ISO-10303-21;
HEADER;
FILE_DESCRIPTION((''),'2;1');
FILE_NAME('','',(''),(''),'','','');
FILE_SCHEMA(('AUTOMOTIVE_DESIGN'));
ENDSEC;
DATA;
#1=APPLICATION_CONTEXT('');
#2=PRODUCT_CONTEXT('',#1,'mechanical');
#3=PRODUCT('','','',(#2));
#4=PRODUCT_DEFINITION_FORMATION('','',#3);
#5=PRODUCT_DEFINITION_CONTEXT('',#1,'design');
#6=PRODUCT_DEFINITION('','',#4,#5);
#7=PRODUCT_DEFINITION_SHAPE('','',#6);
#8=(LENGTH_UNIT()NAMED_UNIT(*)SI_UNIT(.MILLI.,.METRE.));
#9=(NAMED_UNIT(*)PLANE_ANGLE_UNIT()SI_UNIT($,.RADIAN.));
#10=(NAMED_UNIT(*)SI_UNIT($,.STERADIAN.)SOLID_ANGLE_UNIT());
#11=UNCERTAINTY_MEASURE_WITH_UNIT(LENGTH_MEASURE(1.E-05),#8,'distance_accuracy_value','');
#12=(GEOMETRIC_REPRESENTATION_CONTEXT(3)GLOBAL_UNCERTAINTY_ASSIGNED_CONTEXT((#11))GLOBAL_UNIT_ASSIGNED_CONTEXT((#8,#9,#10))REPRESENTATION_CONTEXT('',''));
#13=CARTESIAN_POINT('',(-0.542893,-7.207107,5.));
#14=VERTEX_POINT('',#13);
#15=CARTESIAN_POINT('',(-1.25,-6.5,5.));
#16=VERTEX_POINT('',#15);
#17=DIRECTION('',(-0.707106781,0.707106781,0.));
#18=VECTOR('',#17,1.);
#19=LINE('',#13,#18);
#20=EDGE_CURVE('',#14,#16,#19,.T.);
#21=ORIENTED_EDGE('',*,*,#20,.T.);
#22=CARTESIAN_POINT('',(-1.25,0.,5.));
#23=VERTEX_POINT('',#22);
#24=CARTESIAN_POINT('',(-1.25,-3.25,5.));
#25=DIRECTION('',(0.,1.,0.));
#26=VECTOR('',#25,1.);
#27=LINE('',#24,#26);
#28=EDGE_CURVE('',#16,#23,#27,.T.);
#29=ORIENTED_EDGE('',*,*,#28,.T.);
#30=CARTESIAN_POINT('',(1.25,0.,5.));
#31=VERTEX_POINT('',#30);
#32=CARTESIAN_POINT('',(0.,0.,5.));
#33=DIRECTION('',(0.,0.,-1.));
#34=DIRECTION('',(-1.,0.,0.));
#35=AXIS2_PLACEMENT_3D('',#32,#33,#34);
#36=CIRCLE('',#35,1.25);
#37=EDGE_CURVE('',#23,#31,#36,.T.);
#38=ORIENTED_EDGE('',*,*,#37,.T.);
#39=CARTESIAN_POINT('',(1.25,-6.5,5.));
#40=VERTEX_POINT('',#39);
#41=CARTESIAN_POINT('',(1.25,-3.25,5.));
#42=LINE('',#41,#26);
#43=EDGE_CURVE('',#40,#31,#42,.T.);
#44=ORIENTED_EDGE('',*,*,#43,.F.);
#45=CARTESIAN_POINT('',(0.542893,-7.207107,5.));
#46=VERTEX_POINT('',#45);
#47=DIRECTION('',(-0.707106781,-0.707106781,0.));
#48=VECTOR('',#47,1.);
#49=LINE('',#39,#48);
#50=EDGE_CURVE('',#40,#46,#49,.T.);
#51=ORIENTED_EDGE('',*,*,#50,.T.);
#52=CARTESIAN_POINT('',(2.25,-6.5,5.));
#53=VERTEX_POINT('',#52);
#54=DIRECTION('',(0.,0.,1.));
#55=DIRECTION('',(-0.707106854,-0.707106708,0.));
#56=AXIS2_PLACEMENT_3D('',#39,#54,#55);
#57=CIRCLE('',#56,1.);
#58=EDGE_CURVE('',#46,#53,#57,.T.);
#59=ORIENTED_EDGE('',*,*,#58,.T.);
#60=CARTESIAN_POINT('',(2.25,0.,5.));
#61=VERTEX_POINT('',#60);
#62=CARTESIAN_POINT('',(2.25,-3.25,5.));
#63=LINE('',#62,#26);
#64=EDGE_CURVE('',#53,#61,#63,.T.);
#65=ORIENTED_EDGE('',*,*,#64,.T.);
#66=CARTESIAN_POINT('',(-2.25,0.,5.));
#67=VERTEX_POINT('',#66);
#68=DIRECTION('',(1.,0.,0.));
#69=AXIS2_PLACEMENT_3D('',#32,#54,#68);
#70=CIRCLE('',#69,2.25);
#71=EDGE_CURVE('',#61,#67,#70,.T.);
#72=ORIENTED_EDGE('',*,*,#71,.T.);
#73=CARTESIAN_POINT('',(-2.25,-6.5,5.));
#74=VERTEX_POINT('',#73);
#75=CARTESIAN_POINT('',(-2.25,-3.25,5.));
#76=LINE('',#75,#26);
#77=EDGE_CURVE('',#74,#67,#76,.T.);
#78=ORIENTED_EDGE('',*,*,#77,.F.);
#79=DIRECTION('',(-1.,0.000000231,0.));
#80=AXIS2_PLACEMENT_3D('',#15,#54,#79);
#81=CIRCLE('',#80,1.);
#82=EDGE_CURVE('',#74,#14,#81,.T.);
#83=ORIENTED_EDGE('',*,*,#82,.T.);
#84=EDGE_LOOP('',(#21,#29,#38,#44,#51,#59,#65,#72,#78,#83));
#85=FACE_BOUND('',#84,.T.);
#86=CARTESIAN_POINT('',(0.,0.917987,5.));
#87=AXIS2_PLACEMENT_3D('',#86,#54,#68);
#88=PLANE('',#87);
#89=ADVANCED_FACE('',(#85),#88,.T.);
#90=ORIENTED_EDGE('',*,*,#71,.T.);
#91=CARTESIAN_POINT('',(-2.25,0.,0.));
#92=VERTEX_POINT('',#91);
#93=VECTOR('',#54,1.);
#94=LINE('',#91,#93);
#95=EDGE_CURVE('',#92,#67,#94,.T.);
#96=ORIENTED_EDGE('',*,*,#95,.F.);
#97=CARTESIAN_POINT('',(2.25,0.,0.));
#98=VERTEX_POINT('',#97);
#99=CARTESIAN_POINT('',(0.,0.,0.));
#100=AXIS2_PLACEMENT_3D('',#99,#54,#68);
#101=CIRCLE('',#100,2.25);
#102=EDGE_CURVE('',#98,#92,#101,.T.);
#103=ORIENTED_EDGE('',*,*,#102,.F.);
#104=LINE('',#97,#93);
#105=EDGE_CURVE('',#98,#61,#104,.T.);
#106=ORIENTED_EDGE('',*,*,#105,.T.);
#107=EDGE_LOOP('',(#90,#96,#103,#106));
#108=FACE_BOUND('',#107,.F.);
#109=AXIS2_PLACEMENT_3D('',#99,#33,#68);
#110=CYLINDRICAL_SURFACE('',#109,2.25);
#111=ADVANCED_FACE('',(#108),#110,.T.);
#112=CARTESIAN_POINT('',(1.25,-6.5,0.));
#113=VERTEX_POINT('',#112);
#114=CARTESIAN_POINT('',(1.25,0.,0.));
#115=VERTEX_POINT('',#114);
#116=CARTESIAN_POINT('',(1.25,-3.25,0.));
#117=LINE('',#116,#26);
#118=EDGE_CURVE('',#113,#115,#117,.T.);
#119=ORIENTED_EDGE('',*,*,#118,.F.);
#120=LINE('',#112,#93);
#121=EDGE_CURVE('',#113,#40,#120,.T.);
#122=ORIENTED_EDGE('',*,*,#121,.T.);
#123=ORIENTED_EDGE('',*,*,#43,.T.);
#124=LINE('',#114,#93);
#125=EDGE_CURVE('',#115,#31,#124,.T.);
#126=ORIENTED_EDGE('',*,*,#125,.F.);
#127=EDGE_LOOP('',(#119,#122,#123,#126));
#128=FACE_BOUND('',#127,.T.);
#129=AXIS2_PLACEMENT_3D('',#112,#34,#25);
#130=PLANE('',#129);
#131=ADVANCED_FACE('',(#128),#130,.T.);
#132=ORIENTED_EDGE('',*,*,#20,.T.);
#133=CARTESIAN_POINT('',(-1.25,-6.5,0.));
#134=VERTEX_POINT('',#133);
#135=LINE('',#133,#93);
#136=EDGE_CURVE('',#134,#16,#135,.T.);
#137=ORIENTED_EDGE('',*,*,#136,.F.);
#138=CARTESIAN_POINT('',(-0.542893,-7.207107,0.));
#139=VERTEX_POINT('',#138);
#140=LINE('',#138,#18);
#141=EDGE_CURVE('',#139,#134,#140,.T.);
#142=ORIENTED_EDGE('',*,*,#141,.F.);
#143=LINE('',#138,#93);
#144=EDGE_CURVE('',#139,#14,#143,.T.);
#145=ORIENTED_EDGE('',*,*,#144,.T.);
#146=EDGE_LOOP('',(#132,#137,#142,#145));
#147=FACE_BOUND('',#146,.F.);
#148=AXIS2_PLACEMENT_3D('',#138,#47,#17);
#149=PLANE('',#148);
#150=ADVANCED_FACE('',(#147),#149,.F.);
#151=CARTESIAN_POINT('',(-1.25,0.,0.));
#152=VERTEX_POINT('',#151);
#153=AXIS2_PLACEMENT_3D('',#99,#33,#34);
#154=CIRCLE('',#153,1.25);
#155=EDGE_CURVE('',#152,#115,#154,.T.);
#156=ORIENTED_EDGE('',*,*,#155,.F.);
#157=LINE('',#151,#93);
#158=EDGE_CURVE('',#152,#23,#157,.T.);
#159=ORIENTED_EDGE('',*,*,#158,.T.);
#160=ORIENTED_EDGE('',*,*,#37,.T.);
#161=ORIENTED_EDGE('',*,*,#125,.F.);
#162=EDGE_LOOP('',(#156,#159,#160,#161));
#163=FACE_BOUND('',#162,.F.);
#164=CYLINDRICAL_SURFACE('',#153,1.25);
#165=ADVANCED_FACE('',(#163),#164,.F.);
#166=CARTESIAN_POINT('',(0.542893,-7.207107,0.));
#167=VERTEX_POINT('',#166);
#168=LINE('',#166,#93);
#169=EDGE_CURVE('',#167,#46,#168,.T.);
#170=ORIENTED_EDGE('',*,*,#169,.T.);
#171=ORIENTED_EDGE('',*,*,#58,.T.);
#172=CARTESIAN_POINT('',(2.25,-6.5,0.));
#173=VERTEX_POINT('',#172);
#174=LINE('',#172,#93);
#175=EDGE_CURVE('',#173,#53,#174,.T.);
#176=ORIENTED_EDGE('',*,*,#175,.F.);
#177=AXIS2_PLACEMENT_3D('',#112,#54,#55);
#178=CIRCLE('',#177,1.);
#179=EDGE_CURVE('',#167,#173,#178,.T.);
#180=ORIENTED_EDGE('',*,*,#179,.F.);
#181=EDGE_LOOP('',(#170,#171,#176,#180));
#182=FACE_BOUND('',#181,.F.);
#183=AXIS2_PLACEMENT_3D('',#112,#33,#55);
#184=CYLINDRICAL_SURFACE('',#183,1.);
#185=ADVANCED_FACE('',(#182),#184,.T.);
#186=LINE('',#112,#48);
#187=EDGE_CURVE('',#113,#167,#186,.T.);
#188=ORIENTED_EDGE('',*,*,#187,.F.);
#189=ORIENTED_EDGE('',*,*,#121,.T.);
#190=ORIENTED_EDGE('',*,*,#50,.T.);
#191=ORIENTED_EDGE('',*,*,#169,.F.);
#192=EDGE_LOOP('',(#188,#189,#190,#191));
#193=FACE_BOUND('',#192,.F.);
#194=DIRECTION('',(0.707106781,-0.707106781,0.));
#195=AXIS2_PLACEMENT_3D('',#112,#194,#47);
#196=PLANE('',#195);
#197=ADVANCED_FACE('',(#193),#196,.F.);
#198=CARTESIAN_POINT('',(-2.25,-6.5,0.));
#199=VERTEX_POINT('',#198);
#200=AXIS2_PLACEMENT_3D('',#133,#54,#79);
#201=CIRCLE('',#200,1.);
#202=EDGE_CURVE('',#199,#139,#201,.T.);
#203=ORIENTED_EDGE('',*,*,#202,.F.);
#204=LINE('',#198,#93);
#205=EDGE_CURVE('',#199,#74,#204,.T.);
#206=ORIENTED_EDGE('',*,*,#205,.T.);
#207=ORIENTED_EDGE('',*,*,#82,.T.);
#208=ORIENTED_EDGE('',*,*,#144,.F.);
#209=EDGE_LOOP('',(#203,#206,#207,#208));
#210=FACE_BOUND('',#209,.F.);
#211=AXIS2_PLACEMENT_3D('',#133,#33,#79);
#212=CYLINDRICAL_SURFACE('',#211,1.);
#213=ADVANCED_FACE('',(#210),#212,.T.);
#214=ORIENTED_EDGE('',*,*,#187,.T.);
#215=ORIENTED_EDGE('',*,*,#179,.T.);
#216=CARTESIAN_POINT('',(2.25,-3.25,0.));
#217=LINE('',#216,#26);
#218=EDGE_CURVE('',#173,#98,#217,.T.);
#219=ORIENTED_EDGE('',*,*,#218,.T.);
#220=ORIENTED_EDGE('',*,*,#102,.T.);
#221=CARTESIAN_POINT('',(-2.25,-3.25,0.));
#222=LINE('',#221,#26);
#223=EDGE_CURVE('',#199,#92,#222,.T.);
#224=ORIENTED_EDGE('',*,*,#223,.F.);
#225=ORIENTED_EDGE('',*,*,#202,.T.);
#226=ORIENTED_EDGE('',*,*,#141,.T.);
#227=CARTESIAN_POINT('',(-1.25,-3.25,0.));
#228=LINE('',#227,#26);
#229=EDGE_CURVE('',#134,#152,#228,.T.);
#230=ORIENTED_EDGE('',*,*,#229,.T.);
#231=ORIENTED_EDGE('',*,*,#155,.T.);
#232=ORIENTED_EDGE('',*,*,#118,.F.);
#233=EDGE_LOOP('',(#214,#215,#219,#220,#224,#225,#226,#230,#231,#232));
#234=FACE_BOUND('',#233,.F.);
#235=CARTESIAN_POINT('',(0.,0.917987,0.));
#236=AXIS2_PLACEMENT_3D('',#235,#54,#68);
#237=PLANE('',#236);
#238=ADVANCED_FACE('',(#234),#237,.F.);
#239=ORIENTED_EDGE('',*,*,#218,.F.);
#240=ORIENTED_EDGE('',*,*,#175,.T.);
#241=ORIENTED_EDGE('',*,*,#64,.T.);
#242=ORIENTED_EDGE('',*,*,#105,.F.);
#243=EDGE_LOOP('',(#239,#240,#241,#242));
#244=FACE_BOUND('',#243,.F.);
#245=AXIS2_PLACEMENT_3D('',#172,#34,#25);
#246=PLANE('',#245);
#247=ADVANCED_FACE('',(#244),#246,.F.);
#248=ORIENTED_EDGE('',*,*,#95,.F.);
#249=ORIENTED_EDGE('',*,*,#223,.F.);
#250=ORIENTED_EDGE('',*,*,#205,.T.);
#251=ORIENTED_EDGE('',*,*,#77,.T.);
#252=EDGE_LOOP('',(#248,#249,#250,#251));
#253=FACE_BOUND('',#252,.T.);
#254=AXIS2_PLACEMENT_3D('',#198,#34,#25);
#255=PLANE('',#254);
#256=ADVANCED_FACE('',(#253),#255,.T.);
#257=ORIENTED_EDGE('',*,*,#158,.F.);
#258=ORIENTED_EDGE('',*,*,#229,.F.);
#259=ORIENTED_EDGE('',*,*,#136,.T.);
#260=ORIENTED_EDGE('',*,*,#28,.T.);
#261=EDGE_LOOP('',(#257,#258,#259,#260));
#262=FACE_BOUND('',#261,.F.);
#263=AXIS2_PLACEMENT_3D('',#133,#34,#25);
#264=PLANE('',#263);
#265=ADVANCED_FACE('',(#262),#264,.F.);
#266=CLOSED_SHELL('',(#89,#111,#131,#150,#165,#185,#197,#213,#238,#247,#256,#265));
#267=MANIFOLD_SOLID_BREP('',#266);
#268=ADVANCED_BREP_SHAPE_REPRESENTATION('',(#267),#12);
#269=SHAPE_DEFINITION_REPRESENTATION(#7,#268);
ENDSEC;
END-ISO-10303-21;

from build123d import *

# Parameters (mm, degrees)
F0_W     = 1
F0_H     = 6.5
F1_DEPTH = 5


with BuildPart() as f1:
    # F0 (on Top) → F1 (new body)
    with BuildSketch(Plane.XY):
        with BuildLine():
            ThreePointArc((-1.25, 0), (0, 1.25), (1.25, 0))
            Line((1.25, 0), (2.25, 0))
            ThreePointArc((2.25, 0), (0, 2.25), (-2.25, 0))
            Line((-2.25, 0), (-1.25, 0))
        make_face()
        with Locations((1.75, -3.25)):
            Rectangle(F0_W, F0_H)
        with BuildLine():
            Line((2.25, -6.5), (1.25, -6.5))
            Line((1.25, -6.5), (0.542893, -7.207107))
            ThreePointArc((0.542893, -7.207107), (1.632683, -7.42388), (2.25, -6.5))
        make_face()
        with Locations((-1.75, -3.25)):
            Rectangle(F0_W, F0_H)
        with BuildLine():
            Line((-0.542893, -7.207107), (-1.25, -6.5))
            Line((-1.25, -6.5), (-2.25, -6.5))
            ThreePointArc((-2.25, -6.5), (-1.632683, -7.42388), (-0.542893, -7.207107))
        make_face()
    extrude(amount=F1_DEPTH)


solid = f1.part
